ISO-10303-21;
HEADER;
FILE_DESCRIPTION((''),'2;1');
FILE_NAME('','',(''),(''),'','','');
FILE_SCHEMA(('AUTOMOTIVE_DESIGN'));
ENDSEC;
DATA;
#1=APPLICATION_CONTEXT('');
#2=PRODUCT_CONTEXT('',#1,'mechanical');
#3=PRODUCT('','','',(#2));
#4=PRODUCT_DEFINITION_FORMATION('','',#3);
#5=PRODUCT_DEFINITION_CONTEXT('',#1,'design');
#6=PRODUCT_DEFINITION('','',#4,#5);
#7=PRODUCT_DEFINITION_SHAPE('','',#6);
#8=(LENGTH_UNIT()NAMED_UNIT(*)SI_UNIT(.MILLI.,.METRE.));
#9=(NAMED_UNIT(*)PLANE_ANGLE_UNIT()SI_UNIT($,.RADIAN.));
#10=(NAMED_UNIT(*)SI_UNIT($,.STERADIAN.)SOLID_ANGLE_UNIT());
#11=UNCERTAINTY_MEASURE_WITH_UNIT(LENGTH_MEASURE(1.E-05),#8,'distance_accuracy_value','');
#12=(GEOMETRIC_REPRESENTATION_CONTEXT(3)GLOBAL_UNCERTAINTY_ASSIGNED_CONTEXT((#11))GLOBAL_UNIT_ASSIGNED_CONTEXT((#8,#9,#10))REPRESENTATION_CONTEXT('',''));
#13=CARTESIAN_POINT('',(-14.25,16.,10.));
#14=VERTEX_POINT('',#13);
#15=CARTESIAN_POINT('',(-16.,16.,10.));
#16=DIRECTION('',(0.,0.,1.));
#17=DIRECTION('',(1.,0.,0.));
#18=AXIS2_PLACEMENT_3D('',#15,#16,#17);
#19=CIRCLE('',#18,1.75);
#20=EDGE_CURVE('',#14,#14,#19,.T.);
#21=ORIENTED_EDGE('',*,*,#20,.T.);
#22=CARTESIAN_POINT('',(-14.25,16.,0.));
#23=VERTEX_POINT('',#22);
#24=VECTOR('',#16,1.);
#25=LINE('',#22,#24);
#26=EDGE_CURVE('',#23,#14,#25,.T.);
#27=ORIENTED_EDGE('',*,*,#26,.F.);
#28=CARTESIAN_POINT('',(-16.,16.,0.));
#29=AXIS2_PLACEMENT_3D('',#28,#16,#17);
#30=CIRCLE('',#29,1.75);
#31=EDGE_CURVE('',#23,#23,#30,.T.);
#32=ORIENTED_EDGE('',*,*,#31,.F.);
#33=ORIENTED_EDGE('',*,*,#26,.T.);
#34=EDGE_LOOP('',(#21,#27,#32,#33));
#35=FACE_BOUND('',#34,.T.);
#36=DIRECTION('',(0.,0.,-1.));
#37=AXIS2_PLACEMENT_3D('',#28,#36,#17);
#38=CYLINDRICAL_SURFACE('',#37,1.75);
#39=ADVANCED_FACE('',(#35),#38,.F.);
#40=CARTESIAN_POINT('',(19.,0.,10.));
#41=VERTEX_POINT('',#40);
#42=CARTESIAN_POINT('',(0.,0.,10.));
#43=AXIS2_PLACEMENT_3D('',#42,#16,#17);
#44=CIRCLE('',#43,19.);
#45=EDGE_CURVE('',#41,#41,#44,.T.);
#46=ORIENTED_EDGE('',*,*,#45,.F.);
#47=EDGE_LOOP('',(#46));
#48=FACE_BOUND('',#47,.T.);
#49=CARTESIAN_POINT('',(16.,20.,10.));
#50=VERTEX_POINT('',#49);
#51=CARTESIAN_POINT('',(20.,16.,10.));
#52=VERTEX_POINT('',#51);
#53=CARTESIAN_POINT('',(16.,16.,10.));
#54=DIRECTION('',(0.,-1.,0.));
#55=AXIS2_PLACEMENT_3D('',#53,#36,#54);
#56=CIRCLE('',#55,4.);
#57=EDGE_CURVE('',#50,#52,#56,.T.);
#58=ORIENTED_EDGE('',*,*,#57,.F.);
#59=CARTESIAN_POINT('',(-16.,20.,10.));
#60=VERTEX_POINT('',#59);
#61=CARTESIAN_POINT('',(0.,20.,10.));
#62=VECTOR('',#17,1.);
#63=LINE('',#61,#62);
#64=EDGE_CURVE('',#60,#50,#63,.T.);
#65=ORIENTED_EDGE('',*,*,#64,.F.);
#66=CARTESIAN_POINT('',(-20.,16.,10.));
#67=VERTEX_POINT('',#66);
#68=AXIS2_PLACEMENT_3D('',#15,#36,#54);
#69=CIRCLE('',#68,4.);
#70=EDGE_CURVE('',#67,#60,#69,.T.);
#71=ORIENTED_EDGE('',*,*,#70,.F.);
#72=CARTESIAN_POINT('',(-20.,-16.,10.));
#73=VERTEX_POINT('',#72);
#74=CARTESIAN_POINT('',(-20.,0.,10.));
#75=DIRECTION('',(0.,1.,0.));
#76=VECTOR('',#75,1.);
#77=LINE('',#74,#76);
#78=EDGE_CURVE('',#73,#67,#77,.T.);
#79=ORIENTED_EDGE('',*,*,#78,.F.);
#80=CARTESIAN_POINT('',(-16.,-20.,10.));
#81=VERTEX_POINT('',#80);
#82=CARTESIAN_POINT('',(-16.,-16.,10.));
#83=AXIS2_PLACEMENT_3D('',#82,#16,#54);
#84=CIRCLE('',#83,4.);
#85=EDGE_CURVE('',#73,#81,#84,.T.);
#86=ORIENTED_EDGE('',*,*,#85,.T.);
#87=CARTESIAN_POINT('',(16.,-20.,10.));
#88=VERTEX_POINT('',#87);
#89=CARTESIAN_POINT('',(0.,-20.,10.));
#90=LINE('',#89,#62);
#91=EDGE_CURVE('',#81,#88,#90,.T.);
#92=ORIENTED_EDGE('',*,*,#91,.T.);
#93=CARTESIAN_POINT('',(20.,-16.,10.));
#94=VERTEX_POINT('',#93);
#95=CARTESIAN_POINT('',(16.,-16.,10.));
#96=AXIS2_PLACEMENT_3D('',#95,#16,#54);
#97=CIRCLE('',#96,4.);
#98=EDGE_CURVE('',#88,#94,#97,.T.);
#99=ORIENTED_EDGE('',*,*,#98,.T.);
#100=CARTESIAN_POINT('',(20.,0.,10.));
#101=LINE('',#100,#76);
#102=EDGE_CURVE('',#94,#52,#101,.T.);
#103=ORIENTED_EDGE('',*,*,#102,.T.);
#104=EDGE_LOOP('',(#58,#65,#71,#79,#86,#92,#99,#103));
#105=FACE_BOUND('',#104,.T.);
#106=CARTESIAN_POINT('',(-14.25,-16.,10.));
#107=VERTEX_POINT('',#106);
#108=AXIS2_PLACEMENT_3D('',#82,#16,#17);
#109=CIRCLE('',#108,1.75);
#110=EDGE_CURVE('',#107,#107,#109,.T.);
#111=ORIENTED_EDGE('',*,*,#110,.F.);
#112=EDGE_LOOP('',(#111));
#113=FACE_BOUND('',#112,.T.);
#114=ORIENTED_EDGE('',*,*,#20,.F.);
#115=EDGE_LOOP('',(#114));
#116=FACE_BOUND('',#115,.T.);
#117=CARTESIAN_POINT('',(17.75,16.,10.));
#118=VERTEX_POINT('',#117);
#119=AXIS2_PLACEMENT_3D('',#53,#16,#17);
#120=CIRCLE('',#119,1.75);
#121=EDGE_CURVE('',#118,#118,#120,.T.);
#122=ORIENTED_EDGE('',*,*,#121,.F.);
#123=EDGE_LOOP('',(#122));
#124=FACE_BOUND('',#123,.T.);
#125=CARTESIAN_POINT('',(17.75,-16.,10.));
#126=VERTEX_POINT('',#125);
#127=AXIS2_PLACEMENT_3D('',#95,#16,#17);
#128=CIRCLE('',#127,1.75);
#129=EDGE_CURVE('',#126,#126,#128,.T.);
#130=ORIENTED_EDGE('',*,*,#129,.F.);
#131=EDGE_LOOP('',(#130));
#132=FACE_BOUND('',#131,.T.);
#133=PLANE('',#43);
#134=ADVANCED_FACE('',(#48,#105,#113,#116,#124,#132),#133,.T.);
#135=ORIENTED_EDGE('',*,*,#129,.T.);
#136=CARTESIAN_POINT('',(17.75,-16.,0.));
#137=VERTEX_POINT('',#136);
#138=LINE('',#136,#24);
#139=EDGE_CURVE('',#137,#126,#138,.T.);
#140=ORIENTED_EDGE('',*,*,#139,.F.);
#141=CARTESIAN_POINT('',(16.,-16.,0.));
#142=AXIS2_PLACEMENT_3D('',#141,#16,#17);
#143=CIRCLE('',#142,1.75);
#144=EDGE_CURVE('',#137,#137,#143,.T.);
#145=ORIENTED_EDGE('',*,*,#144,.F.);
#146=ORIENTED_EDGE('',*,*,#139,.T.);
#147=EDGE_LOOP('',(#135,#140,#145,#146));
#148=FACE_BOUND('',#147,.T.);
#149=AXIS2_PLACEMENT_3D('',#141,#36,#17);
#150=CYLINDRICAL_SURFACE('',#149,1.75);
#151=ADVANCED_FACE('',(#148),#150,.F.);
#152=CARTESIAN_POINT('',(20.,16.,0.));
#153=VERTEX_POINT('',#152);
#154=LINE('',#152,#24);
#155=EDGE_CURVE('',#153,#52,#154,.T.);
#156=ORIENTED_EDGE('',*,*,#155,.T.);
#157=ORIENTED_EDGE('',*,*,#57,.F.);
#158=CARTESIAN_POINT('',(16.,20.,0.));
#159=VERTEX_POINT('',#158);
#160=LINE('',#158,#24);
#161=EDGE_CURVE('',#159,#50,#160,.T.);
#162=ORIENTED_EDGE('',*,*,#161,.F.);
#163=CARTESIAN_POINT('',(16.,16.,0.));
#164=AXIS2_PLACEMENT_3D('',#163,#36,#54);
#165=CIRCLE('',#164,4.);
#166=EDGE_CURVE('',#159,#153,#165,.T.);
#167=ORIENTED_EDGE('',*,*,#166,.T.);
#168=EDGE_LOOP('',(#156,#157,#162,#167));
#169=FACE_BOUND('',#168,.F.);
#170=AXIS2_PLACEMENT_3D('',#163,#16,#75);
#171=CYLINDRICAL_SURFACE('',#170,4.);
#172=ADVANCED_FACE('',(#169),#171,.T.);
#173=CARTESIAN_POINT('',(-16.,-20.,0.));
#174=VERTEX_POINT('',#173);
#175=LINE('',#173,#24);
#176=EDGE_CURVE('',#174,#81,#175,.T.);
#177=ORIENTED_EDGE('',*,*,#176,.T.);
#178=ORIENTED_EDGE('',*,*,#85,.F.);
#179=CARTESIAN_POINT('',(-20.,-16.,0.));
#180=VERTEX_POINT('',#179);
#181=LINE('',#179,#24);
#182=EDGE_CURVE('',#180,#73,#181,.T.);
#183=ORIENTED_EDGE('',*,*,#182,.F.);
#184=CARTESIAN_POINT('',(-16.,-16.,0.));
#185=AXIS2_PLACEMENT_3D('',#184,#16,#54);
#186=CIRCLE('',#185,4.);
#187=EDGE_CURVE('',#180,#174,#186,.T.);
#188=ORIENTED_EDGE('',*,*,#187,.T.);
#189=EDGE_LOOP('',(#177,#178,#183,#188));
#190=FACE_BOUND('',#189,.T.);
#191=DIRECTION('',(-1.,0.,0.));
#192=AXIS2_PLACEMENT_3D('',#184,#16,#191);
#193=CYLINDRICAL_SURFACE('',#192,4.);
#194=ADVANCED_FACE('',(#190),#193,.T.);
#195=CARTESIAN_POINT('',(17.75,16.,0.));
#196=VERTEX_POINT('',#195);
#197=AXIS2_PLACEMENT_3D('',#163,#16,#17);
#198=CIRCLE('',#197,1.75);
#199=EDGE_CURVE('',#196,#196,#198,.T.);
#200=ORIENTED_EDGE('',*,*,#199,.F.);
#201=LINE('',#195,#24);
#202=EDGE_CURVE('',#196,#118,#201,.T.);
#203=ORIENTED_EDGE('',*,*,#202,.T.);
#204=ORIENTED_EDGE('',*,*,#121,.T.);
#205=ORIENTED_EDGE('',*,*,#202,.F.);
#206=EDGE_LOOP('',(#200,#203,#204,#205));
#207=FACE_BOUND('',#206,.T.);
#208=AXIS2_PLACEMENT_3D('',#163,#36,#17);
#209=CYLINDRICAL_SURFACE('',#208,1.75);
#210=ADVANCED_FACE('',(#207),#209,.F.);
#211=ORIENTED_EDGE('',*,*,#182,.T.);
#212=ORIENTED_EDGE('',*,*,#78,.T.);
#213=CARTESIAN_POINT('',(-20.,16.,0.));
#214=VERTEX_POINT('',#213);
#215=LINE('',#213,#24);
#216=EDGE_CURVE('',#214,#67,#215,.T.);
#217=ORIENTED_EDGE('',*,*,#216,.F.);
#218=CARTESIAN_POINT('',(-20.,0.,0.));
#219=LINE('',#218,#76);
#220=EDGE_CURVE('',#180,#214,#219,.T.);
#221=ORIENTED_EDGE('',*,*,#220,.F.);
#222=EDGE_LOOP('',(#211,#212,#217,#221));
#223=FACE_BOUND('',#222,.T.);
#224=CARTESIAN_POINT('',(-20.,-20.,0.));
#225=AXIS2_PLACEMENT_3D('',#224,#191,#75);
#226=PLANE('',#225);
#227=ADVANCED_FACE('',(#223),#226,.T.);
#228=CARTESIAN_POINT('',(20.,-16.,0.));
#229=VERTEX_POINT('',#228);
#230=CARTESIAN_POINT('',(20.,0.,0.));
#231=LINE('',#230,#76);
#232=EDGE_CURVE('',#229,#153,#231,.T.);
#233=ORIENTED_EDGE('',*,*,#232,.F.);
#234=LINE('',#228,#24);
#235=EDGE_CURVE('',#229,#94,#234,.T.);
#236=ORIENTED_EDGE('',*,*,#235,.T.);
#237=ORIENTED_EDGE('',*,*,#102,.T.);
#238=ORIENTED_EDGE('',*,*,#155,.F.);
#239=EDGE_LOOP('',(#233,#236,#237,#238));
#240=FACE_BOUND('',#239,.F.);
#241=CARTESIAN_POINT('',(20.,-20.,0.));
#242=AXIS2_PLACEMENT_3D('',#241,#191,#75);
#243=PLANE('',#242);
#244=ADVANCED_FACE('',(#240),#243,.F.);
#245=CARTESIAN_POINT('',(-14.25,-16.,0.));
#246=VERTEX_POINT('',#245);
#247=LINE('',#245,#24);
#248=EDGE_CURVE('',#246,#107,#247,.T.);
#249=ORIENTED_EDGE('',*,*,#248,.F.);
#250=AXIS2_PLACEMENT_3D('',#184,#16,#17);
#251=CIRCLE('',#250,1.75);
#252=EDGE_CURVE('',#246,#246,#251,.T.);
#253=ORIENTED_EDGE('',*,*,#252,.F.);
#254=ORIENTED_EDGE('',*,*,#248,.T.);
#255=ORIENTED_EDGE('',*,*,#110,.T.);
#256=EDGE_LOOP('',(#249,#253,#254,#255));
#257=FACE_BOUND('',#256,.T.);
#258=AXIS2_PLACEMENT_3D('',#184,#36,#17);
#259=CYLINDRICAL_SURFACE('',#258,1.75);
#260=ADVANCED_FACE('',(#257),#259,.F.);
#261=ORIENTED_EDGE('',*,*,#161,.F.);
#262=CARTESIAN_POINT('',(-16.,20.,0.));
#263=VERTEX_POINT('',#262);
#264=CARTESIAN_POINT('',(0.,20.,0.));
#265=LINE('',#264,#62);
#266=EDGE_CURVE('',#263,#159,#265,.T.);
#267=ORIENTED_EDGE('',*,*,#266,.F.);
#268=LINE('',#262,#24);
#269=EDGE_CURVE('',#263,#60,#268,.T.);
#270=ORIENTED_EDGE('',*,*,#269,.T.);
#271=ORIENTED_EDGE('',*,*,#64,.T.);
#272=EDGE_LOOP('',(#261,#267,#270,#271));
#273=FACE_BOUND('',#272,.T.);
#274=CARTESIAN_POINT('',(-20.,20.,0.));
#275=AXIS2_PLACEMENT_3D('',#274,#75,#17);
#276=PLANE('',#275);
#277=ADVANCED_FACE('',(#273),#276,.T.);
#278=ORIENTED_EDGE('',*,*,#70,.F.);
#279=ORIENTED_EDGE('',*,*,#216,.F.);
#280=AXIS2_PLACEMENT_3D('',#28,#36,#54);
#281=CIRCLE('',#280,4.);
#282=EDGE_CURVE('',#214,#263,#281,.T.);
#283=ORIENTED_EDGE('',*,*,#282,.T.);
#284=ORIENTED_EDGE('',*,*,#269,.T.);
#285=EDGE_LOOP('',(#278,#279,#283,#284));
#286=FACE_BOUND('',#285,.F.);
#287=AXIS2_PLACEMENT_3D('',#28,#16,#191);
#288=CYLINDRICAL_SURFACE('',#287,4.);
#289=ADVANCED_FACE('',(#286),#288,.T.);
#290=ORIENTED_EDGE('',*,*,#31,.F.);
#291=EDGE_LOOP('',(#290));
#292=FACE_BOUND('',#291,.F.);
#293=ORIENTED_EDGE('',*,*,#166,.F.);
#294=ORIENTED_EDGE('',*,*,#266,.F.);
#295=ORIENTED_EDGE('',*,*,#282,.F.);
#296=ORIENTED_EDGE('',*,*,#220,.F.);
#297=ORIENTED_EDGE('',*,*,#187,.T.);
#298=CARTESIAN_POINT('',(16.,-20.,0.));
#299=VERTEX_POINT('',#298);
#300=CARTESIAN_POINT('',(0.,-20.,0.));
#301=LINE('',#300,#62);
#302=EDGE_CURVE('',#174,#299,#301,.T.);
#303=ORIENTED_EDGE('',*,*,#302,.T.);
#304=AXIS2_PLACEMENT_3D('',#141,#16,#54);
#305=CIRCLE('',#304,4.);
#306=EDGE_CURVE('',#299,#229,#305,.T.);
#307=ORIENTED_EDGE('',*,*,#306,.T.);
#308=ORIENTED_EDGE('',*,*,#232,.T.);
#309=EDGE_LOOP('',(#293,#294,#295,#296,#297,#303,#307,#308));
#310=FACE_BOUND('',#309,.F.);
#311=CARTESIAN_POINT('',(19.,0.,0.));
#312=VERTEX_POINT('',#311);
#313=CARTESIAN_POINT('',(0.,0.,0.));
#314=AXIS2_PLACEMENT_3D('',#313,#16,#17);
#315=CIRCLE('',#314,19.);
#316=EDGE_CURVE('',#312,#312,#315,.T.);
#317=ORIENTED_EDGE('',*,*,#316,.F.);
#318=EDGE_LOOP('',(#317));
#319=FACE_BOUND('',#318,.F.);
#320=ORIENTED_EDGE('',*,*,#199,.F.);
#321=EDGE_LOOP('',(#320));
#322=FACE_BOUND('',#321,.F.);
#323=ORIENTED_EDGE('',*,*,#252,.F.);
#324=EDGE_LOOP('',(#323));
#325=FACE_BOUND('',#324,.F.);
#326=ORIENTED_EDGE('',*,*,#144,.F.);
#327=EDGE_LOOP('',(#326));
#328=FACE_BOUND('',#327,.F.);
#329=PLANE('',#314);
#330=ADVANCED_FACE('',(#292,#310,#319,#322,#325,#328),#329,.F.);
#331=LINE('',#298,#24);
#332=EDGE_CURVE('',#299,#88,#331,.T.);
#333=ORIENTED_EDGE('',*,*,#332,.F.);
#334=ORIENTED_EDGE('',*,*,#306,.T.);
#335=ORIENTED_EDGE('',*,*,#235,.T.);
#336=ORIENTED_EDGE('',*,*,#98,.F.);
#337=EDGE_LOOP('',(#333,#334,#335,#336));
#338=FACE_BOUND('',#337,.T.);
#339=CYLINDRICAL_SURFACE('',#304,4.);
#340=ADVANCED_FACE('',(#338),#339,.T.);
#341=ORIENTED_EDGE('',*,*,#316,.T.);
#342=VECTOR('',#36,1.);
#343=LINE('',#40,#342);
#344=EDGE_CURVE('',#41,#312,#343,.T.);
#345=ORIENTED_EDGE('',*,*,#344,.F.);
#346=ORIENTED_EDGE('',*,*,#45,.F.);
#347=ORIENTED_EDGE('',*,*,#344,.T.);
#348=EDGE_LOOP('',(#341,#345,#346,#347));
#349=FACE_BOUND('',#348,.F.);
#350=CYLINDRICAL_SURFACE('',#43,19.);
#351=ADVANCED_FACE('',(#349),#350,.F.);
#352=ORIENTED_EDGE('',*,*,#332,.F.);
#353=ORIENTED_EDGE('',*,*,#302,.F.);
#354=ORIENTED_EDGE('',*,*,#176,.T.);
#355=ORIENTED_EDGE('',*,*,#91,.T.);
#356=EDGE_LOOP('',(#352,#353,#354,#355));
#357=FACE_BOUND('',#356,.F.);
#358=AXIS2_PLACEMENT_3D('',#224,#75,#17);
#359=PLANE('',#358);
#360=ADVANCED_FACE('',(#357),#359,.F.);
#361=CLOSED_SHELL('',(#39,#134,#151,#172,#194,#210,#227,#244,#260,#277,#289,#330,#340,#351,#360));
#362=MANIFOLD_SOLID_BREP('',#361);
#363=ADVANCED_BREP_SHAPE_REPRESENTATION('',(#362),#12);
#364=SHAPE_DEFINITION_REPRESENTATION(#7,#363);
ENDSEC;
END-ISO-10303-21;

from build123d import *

# Parameters (mm, degrees)
SKETCH_W     = 40
SKETCH_H     = 40
SKETCH_R     = 1.75
PAD_DEPTH    = 10
FILLET_R     = 4
SKETCH001_R  = 19
POCKET_DEPTH = 10.001


with BuildPart() as part:
    # Sketch → Pad (new body)
    with BuildSketch(Plane.XY):
        Rectangle(SKETCH_W, SKETCH_H)
        with Locations((-16, 16)):
            Circle(SKETCH_R, mode=Mode.SUBTRACT)
        with Locations((16, 16)):
            Circle(SKETCH_R, mode=Mode.SUBTRACT)
        with Locations((16, -16)):
            Circle(SKETCH_R, mode=Mode.SUBTRACT)
        with Locations((-16, -16)):
            Circle(SKETCH_R, mode=Mode.SUBTRACT)
    extrude(amount=PAD_DEPTH)

    # Fillet
    fillet_edges = [part.edges().sort_by_distance(p)[0] for p in [
        (20, -20, 5),
        (-20, -20, 5),
        (20, 20, 5),
        (-20, 20, 5),
    ]]
    fillet(fillet_edges, radius=FILLET_R)

    # Sketch001 (on Face5 of Fillet) → Pocket (cut, through all)
    with BuildSketch(Plane.XY.offset(10)):
        Circle(SKETCH001_R)
    extrude(amount=-POCKET_DEPTH, mode=Mode.SUBTRACT)


solid = part.part
